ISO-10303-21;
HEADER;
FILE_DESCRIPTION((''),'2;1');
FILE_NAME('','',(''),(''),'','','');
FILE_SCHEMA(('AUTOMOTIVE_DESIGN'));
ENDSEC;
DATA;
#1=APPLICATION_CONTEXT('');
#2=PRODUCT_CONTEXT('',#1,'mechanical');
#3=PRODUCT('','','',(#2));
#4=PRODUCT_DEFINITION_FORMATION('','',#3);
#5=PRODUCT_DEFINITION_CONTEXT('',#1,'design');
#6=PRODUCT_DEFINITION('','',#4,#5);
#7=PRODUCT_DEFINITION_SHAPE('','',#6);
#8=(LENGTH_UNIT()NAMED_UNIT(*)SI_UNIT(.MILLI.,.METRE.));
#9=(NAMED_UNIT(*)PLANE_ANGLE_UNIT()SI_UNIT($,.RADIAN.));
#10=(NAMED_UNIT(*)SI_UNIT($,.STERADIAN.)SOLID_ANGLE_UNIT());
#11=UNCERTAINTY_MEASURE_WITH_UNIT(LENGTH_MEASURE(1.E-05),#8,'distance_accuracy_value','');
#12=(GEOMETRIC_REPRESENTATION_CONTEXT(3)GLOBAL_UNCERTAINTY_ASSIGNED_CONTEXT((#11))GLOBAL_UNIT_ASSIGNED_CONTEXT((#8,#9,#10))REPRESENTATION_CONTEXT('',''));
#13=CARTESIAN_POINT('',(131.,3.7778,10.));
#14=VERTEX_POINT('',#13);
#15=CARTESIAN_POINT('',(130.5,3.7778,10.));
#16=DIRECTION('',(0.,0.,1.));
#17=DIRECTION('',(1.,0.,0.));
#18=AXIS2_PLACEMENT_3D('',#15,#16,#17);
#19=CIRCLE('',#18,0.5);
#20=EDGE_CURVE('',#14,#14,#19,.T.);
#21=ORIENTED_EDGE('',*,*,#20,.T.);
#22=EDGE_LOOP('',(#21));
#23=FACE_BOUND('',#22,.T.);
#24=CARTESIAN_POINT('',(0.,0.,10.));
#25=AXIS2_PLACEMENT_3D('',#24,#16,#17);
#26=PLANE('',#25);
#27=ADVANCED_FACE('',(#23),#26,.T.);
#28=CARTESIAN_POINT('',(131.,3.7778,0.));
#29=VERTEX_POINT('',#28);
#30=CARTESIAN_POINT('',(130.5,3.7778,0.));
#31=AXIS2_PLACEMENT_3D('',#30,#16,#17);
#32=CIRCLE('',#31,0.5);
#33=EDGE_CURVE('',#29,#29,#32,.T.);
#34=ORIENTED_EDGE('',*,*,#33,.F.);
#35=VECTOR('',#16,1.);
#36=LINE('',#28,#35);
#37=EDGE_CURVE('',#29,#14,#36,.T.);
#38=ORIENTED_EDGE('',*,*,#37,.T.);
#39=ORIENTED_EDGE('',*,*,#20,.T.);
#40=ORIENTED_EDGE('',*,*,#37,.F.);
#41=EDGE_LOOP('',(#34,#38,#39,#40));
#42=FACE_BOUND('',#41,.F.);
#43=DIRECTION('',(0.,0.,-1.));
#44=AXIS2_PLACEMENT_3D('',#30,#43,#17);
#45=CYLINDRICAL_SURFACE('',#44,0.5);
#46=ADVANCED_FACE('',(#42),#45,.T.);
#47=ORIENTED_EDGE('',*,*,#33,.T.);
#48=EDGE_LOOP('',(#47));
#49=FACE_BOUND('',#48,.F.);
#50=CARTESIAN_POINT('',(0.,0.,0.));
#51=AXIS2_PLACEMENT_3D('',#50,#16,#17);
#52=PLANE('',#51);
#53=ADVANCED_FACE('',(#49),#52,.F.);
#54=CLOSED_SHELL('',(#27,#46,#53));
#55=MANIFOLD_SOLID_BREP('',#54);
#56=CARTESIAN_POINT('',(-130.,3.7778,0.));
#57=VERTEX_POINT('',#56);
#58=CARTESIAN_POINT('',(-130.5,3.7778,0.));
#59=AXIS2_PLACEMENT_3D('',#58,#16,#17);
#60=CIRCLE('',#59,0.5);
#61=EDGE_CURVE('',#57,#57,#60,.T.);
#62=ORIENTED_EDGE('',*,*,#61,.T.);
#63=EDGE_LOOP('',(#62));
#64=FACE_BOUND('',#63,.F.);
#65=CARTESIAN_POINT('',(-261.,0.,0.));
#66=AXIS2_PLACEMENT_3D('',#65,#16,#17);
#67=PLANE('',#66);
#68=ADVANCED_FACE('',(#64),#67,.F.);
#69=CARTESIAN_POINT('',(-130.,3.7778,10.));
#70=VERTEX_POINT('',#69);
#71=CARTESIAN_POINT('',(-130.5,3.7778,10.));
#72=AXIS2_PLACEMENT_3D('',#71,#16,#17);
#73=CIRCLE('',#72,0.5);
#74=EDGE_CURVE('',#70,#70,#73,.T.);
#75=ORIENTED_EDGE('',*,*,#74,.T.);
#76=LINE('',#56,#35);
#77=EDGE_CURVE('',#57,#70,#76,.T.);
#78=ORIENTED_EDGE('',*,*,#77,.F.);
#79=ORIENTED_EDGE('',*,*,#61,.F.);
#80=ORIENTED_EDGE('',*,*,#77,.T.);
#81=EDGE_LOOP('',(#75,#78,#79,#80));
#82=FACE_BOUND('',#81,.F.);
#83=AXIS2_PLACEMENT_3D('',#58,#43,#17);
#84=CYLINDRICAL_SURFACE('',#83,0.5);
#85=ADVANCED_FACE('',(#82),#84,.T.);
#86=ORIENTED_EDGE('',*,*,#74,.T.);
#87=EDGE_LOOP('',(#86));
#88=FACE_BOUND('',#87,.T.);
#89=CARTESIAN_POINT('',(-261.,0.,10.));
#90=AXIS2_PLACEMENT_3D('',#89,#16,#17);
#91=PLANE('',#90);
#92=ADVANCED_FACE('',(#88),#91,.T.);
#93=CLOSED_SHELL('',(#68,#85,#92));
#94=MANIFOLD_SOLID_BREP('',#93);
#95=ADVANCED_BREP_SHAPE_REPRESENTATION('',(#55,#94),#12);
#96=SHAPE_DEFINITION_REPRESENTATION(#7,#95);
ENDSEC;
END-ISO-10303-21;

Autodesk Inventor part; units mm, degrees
ref_plane "YZ Plane" through (0, 0, 0) normal (1, 0, 0) x (0, 1, 0)
ref_plane "XZ Plane" through (0, 0, 0) normal (0, 1, 0) x (-1, 0, 0)
ref_plane "XY Plane" through (0, 0, 0) normal (0, 0, 1) x (1, 0, 0)
sketch "Sketch1" plane through (0, 0, 0) normal (0, 0, 1) x (1, 0, 0)
  line L0 (-190.5, -10.9695) -> (190.5, -10.9695)
  line L1 (190.5, -10.9695) -> (190.5, 10.9695)
  line L2 (190.5, 10.9695) -> (-190.5, 10.9695)
  line L3 (-190.5, 10.9695) -> (-190.5, -10.9695)
  line L4 (-190.5, -10.9695) -> (190.5, 10.9695) construction
  line L5 (190.5, -10.9695) -> (-190.5, 10.9695) construction
  point P0 (0, 0)
  dimension "d0" = 381
  dimension "d1" = 21.939
sketch "Lamello" plane through (0, 0, 0) normal (0, 0, 1) x (1, 0, 0)
  line L0 (48.383, 141.1858) -> (42.783, 141.1858)
  line L1 (40.583, 139.6858) -> (40.583, 114.6858)
  line L2 (42.783, 113.1858) -> (48.383, 113.1858)
  line L3 (50.583, 114.6858) -> (50.583, 139.6858)
  line L4 (50.583, 139.6858) -> (48.383, 141.1858)
  line L5 (40.583, 139.6858) -> (42.783, 141.1858)
  line L6 (40.583, 114.6858) -> (42.783, 113.1858)
  line L7 (50.583, 114.6858) -> (48.383, 113.1858)
  line L8 (50.583, 127.1858) -> (40.583, 127.1858)
  line L9 (45.583, 141.1858) -> (45.583, 113.1858)
  point P0 (45.583, 127.1858)
  point P1 (50.583, 141.1858)
  point P2 (40.583, 113.1858)
  point P3 (40.583, 141.1858)
  point P4 (50.583, 113.1858)
  dimension "d54" = 10
  dimension "d55" = 28
  dimension "d56" = 1.5
  dimension "d57" = 2.2
  dimension "d58" = 1.5
  dimension "d59" = 2.2
  dimension "d60" = 1.5
  dimension "d61" = 2.2
  dimension "d62" = 1.5
  dimension "d63" = 2.2
sketch "Sketch2" plane through (0, 0, 0) normal (0, 0, 1) x (1, 0, 0)
  circle A0 centre (130.5, 3.7778) radius 0.5
  line L0 (190.5, 10.9695) -> (-190.5, 10.9695) projected
  line L1 (-190.5, -10.9695) -> (190.5, -10.9695) projected
  line L2 (0, -145.0303) -> (0, 106.9697) projected
  line L3 (190.5, -10.9695) -> (190.5, 10.9695) projected
  point P0 (0, 0)
  dimension "d4" = 1
  dimension "d50" = 7.1917
  dimension "d70" = 60
extrude "Extrusion1" add sketch "Sketch2" along normal blind 10 contours A0
pattern_linear "Clamex Array" count 2 spacing 261 along (-1, 0, 0) of "Extrusion1"
sketch "Edge-Side Connection" plane through (0, 0, 0) normal (1, 0, 0) x (0, 1, 0)
  line L0 (-50, 0) -> (50, 0)
  line L1 (50, 0) -> (50, 19)
  line L2 (50, 19) -> (-50, 19)
  line L3 (-50, 19) -> (-50, 0)
  line L4 (-10.9695, 0) -> (-34.0635, -40)
  line L5 (-34.0635, -40) -> (-12.1245, -40)
  line L6 (-12.1245, -40) -> (10.9695, 0)
  line L7 (-2.9208, -14) -> (-2.9208, 14) construction
  line L8 (10.9695, 0) -> (2.0792, 0)
  line L9 (-7.9208, -12.5) -> (-15.62, -8.0549)
  point P0 (0, 0)
  point P1 (10.9695, 0)
  point P2 (0, 0)
  dimension "d26" = 100
  dimension "d27" = 19
  dimension "d28" = 40
  dimension "OtherSideRefYCoordinate" = 8.0487
  dimension "ReferenceCoord" = 13.8903
  dimension "d49" = 120
sketch "Edge-Edge Connection" plane through (0, 0, 0) normal (1, 0, 0) x (0, 1, 0)
  line L0 (-109.0303, 19) -> (10.9697, 19)
  line L1 (10.9697, 19) -> (0, 0)
  line L2 (0, 0) -> (-109.0303, 0)
  line L3 (-109.0303, 0) -> (-109.0303, 19)
  line L4 (10.9697, 19) -> (70.9697, -84.923)
  line L5 (0, 0) -> (54.5152, -94.423)
  line L6 (54.5152, -94.423) -> (70.9697, -84.923)
  line L7 (1.0958, 1.8981) -> (0, 0)
  line L8 (-4.7295, 16.8083) -> (-4.7295, 19)
  point P0 (3.5958, 6.2282)
  dimension "d51" = 19
  dimension "d53" = 19
  dimension "EdgeEdgeReferenceCoord" = 7.1917
  dimension "d65" = 120
  dimension "d66" = 120
  dimension "d67" = 120
  dimension "EdgeEdgeOtherSideRefYCoordinate" = 14.7476
equation "\"d9\" = Step"
equation "\"d27\" = NestleBoardT"
equation "\"d0\" = ContactPatchWidth"
equation "\"d1\" = ContactPatchHeight"
equation "\"ContactPatchWidth\" = 381"
equation "\"ContactPatchHeight\" = 21.939"
equation "\"PlacingWidth\" = 261"
equation "\"MinDistBetween\" = 96"
equation "\"Step\" = 261"
equation "\"Y_Coord\" = 7.19169"
equation "\"NestleBoardT\" = 19"
equation "\"PillarBoardT\" = 19"
equation "\"AngleForYPositionCalc\" = 120deg"
equation "\"ConnectionAngle\" = 120deg"
equation "\"ShiftY\" = 0"
properties part number "Clamex Joint1600"
